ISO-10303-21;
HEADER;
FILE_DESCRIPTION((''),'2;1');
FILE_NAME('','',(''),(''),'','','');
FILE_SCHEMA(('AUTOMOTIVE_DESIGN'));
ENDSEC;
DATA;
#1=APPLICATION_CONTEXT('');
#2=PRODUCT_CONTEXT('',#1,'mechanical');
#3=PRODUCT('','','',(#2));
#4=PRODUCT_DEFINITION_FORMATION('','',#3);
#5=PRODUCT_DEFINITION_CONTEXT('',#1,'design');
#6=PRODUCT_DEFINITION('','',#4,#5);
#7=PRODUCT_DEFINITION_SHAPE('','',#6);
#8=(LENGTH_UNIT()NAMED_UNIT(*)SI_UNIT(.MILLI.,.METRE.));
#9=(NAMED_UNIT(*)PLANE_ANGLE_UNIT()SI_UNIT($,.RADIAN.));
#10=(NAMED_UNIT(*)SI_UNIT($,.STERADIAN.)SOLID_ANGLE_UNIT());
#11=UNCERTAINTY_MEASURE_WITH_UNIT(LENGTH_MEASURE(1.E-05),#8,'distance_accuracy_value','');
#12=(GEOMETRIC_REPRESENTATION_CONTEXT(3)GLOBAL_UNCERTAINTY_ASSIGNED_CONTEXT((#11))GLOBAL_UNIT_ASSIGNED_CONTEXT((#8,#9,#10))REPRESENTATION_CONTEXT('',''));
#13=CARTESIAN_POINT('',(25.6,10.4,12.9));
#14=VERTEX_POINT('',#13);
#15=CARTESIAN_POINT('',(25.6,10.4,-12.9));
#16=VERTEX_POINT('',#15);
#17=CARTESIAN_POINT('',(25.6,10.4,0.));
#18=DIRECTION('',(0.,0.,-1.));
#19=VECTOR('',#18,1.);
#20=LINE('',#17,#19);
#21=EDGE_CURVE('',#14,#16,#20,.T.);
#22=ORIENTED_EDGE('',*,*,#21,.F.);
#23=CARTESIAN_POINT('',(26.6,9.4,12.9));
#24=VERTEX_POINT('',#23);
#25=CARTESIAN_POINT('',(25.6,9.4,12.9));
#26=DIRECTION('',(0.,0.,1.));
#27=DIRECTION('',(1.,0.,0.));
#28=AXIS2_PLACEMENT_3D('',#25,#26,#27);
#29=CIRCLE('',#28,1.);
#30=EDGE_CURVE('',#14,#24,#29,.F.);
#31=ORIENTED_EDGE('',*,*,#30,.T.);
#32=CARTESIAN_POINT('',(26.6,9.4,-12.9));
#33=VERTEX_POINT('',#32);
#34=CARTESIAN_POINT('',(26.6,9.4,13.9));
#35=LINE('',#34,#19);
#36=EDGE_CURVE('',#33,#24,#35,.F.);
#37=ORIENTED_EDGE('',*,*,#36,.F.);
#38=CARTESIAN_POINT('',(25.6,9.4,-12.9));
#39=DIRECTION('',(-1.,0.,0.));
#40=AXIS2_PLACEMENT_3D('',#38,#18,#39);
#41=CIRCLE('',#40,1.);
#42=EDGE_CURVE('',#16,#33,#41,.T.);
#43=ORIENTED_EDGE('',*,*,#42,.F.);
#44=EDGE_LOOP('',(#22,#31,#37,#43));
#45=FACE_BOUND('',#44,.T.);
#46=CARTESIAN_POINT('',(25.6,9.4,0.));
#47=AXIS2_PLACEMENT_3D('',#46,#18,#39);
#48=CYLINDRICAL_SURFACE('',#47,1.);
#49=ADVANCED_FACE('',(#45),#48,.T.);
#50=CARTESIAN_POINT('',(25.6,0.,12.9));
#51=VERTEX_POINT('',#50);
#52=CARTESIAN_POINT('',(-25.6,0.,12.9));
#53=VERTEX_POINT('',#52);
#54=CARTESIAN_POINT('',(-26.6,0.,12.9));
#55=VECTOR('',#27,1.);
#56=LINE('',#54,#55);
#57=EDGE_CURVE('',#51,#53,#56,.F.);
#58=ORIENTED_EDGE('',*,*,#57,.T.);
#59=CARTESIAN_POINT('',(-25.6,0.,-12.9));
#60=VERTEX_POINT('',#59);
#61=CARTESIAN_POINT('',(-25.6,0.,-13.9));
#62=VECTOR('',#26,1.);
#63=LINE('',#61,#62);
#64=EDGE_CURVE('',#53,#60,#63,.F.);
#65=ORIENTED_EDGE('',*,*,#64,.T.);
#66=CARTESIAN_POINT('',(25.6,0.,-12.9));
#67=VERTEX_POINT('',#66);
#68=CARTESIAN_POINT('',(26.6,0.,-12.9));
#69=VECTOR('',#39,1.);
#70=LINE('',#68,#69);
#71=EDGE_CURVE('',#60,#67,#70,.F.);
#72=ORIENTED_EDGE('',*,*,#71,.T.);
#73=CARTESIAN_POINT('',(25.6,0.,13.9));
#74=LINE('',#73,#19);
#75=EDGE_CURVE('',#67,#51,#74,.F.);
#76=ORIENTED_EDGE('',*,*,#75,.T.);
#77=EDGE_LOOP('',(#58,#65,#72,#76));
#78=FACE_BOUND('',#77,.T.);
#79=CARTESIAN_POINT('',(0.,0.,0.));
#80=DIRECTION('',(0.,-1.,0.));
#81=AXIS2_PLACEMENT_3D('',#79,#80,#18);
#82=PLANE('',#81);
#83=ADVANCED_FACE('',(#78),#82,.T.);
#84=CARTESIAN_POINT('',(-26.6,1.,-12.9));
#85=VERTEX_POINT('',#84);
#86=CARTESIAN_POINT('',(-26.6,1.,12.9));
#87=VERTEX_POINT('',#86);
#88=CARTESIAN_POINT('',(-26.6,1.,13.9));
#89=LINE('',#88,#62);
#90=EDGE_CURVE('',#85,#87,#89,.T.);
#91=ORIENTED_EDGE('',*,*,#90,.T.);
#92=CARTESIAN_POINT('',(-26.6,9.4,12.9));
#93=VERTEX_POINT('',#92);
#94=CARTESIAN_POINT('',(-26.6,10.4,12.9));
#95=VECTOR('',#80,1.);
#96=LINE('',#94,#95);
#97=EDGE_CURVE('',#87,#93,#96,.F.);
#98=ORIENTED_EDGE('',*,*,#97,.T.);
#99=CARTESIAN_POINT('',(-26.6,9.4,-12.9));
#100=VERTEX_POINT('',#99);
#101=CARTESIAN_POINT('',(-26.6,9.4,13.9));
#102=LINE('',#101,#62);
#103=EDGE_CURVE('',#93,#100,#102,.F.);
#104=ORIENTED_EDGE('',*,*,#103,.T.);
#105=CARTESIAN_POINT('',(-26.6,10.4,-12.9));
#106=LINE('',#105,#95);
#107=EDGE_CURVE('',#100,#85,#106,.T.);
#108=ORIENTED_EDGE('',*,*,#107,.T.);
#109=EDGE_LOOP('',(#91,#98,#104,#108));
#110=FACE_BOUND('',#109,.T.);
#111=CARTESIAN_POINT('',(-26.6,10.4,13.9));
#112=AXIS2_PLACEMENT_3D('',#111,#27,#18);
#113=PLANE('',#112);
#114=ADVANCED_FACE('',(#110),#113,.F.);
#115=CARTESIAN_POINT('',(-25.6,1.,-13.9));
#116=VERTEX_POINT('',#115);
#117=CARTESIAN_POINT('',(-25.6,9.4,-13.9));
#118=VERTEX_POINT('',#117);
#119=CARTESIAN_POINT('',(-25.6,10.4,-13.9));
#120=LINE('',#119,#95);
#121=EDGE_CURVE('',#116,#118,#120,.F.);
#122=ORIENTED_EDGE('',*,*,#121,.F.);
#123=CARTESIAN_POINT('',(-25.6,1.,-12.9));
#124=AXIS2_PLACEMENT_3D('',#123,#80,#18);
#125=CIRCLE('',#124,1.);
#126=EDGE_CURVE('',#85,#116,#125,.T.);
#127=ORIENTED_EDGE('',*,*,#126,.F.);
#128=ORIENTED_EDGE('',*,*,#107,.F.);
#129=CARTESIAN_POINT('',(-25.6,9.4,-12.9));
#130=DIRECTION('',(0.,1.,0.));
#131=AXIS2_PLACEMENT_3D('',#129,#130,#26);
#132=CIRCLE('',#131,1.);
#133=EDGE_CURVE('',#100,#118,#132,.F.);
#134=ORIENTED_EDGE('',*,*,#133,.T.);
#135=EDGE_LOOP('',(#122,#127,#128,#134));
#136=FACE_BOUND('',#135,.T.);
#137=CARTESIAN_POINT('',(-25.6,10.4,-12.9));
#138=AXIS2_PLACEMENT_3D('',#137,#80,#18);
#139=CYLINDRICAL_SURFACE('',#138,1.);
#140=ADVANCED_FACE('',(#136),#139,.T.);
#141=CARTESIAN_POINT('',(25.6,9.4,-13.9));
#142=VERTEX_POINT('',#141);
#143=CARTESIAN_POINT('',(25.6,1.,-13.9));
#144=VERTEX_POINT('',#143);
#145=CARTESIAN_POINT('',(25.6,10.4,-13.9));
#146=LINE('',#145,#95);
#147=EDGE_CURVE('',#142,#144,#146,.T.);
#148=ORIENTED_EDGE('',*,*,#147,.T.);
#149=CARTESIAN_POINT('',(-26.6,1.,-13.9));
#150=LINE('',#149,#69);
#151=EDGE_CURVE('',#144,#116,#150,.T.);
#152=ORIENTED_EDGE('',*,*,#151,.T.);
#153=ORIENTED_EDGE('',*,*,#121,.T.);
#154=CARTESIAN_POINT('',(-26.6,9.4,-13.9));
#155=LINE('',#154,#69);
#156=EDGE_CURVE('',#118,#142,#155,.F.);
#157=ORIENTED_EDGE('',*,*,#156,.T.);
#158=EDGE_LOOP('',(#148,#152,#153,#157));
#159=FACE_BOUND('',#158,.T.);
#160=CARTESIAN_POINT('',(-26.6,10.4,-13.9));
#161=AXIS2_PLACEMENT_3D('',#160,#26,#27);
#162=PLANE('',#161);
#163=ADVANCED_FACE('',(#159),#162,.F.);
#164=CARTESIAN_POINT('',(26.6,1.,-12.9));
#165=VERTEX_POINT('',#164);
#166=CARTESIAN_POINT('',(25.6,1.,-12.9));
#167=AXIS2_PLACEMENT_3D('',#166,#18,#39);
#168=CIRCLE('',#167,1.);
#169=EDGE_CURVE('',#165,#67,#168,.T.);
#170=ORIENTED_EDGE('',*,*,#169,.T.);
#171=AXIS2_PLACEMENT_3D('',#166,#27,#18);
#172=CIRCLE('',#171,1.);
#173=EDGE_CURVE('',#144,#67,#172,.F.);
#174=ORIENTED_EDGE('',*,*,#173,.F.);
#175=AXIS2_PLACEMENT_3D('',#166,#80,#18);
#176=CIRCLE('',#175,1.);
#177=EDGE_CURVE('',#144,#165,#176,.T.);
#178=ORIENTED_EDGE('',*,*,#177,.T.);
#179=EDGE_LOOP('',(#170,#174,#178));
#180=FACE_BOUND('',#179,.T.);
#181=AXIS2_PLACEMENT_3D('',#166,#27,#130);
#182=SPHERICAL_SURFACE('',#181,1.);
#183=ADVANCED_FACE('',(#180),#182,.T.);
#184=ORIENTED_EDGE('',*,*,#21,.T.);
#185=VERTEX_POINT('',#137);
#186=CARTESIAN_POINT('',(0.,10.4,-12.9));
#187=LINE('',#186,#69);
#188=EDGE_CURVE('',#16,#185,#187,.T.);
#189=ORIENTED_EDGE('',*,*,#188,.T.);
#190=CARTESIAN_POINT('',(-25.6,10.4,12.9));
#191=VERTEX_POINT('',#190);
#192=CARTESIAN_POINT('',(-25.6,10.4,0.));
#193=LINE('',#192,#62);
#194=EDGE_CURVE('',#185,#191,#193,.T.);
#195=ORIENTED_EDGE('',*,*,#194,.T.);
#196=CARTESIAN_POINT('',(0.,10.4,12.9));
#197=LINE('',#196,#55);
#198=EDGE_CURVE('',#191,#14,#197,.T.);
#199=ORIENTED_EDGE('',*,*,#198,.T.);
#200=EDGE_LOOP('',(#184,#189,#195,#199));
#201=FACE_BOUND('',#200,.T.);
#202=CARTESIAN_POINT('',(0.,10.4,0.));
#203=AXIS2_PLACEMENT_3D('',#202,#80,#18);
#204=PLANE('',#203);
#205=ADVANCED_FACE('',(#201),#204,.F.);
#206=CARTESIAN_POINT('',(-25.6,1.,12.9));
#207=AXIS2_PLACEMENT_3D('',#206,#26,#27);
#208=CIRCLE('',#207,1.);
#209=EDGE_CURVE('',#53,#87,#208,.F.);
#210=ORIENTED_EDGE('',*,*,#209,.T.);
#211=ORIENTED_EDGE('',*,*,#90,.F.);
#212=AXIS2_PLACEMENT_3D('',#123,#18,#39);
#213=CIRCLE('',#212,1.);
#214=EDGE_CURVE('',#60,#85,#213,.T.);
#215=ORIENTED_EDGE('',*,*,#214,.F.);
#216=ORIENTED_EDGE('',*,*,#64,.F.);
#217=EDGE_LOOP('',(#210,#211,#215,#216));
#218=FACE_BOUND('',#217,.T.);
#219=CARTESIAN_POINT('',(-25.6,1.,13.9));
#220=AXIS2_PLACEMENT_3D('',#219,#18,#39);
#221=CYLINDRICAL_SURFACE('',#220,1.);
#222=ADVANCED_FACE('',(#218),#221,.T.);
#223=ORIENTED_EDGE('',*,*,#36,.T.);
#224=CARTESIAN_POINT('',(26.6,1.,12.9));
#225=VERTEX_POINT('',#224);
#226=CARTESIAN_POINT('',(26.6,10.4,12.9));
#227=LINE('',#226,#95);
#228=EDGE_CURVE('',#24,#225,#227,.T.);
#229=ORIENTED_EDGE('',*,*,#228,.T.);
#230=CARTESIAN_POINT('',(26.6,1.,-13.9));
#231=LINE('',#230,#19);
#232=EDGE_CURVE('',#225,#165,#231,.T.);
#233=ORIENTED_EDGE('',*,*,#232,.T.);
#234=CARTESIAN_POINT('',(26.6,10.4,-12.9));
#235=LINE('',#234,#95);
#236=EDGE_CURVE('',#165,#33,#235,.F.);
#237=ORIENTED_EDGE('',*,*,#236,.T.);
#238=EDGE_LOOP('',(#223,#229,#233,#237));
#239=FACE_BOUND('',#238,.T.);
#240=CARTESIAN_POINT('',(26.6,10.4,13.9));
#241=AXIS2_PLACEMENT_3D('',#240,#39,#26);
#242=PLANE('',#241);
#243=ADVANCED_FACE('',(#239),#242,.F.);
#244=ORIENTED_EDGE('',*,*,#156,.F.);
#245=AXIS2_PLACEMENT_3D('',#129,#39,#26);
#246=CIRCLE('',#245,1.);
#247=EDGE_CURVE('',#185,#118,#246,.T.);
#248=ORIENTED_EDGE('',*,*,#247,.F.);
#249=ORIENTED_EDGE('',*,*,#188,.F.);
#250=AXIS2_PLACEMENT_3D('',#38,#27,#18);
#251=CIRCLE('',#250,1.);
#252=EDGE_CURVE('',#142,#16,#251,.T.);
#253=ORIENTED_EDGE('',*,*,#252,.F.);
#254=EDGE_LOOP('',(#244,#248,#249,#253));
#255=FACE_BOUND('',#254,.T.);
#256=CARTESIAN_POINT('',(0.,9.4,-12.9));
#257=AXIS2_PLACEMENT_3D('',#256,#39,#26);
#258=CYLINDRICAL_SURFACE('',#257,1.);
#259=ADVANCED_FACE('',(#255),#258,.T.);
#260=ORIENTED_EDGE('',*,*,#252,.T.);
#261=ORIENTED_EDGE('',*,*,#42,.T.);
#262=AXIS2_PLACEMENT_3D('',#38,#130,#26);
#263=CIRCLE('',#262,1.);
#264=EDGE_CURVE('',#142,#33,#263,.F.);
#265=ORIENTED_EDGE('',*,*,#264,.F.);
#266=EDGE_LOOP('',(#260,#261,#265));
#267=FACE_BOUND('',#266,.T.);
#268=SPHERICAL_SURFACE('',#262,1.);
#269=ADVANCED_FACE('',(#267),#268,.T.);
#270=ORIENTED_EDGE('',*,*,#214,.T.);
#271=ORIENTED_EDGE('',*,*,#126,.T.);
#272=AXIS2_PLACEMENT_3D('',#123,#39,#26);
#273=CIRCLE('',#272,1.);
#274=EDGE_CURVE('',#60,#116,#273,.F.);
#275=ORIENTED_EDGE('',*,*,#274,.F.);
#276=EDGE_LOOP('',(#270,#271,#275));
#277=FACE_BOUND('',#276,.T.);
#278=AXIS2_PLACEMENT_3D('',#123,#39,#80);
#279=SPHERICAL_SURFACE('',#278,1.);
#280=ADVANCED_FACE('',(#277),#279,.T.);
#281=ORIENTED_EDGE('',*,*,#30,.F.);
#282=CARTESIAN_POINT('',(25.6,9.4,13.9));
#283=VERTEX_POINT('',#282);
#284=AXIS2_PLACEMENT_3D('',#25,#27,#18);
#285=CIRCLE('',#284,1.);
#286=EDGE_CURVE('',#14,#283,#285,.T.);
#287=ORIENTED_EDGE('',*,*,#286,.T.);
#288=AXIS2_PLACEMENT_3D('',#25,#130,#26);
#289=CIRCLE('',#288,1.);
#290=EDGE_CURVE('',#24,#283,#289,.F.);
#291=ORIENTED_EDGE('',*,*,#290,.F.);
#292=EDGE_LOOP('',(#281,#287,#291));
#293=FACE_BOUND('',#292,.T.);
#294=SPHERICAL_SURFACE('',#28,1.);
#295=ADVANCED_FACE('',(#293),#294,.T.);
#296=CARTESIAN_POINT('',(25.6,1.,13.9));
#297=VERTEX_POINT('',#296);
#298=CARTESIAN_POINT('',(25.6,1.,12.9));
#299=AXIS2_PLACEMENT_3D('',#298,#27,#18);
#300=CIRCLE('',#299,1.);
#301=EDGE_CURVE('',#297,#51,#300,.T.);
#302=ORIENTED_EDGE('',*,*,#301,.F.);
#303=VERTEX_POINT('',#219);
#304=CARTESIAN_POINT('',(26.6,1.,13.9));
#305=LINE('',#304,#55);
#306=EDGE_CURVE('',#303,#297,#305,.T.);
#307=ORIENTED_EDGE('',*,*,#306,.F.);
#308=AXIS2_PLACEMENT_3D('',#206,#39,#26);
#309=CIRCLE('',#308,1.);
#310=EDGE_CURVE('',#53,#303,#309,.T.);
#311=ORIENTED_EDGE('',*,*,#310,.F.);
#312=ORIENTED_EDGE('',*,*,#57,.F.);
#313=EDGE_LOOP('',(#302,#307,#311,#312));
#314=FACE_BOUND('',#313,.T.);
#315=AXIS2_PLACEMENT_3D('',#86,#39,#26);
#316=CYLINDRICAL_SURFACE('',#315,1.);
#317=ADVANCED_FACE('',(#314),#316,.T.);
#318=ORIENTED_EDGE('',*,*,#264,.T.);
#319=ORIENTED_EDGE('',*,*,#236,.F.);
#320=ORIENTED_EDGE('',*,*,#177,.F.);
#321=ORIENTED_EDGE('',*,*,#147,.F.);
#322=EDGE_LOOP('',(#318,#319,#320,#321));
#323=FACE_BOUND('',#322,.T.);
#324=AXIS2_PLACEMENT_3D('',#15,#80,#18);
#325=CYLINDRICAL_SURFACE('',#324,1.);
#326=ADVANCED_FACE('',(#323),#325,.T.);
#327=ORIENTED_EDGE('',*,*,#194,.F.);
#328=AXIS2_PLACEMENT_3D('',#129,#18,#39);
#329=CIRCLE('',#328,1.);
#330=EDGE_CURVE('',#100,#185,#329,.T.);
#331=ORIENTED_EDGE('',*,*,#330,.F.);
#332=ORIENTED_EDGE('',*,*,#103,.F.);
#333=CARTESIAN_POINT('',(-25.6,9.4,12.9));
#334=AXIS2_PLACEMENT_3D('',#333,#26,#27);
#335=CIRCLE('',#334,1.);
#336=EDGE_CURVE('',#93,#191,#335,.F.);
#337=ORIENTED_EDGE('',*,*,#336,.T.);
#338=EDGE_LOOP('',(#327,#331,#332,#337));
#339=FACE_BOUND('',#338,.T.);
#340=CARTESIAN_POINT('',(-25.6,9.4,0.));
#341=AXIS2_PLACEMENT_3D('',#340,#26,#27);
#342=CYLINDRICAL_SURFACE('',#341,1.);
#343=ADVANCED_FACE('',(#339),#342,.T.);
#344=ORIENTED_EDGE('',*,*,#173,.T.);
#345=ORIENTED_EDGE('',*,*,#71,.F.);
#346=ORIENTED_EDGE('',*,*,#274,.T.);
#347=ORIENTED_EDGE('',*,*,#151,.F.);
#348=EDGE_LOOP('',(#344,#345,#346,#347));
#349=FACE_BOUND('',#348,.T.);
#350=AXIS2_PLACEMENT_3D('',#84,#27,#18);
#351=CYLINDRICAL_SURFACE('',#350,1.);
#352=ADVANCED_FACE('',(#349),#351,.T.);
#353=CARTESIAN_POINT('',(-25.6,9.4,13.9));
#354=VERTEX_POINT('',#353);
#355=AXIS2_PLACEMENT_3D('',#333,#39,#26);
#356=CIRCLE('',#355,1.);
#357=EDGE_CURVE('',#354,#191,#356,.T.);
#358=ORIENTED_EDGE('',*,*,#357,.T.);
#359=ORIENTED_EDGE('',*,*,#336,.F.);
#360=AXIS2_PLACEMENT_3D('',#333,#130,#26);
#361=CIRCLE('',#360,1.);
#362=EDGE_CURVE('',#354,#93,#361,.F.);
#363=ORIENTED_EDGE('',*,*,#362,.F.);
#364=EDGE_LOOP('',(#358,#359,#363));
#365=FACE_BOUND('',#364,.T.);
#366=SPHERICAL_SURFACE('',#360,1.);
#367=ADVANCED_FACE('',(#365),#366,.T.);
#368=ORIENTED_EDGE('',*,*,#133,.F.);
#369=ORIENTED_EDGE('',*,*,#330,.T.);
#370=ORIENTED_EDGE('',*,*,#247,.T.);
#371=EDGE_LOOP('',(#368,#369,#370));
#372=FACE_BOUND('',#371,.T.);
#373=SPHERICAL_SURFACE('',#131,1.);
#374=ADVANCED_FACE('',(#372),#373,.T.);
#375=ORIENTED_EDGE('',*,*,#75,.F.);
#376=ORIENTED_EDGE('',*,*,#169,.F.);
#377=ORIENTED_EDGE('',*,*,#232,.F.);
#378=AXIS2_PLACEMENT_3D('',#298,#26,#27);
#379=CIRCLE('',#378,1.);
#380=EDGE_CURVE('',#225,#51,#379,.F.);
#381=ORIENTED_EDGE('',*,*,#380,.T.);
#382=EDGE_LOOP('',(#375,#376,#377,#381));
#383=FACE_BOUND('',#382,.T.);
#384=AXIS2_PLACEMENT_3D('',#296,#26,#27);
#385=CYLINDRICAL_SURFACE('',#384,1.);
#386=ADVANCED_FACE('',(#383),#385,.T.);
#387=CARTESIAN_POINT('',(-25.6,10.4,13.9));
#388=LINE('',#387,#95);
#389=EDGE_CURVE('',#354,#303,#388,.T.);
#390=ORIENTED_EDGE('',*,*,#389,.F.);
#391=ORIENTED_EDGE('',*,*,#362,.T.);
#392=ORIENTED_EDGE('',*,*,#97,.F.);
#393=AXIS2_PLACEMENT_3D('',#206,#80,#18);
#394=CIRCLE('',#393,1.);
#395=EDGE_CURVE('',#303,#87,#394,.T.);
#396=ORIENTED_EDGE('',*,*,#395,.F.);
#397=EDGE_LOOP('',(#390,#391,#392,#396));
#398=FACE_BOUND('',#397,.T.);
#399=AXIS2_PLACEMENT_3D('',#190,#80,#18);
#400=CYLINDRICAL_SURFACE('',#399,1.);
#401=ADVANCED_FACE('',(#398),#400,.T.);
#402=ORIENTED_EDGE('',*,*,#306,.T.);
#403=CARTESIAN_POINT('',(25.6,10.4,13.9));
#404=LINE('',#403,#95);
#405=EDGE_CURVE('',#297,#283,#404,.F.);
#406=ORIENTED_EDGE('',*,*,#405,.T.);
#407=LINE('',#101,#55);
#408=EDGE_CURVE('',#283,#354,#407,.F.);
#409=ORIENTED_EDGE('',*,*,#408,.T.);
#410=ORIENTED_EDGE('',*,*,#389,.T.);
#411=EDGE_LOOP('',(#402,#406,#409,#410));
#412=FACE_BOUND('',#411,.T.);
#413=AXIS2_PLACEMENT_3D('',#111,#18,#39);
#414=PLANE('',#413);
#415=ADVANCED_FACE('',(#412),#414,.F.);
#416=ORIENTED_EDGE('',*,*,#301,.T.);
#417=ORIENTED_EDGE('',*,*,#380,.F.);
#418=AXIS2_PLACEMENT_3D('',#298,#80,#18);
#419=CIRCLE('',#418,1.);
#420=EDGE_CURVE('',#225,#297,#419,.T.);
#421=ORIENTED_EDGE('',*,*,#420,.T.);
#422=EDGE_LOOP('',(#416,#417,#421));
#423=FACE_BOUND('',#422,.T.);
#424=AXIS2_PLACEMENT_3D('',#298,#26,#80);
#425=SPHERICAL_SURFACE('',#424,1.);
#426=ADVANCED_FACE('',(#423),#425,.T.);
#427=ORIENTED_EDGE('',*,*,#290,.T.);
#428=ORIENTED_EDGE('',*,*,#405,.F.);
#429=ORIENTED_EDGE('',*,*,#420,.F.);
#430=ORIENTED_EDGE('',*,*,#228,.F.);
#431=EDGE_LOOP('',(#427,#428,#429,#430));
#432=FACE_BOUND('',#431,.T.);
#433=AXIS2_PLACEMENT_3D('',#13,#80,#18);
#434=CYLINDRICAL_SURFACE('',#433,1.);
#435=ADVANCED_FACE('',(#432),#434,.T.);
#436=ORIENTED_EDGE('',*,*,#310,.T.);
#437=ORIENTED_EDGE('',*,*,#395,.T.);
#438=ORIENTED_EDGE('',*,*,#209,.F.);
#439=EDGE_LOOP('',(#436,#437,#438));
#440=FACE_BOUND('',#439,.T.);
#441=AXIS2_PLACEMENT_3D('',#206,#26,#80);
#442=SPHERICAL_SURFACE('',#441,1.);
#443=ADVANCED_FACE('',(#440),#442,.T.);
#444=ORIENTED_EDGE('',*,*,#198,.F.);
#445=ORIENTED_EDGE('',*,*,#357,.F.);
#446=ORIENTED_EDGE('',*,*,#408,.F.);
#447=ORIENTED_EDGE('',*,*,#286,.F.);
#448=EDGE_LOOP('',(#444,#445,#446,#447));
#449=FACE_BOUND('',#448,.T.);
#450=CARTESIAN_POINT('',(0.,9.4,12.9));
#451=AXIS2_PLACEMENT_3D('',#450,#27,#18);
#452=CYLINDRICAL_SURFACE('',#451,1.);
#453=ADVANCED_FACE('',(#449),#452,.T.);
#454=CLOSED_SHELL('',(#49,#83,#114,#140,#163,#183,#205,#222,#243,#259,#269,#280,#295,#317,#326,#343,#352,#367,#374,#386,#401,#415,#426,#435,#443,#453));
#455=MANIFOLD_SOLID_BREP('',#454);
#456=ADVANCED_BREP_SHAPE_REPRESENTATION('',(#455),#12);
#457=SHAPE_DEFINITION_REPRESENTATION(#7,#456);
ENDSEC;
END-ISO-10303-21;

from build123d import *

# Parameters (mm, degrees)
SKETCH_1_W      = 53.2
SKETCH_1_H      = 27.8
EXTRUDE_1_DEPTH = 10.4
FILLET_1_R      = 1


with BuildPart() as part:
    # 草图1 → 凸台-拉伸1 (new body)
    with BuildSketch(Plane(origin=(0, 0, 0), x_dir=(1, 0, 0), z_dir=(0, 1, 0))):
        Rectangle(SKETCH_1_W, SKETCH_1_H)
    extrude(amount=EXTRUDE_1_DEPTH)

    # 圆角1
    fillet_1_edges = [part.edges().sort_by_distance(p)[0] for p in [
        (-26.6, 10.4, 0),
        (0, 10.4, 13.9),
        (26.6, 10.4, 0),
        (0, 0, 13.9),
        (-26.6, 0, 0),
        (0, 0, -13.9),
        (26.6, 0, 0),
        (26.6, 5.2, 13.9),
        (-26.6, 5.2, 13.9),
        (-26.6, 5.2, -13.9),
        (26.6, 5.2, -13.9),
        (0, 10.4, -13.9),
    ]]
    fillet(fillet_1_edges, radius=FILLET_1_R)


solid = part.part
